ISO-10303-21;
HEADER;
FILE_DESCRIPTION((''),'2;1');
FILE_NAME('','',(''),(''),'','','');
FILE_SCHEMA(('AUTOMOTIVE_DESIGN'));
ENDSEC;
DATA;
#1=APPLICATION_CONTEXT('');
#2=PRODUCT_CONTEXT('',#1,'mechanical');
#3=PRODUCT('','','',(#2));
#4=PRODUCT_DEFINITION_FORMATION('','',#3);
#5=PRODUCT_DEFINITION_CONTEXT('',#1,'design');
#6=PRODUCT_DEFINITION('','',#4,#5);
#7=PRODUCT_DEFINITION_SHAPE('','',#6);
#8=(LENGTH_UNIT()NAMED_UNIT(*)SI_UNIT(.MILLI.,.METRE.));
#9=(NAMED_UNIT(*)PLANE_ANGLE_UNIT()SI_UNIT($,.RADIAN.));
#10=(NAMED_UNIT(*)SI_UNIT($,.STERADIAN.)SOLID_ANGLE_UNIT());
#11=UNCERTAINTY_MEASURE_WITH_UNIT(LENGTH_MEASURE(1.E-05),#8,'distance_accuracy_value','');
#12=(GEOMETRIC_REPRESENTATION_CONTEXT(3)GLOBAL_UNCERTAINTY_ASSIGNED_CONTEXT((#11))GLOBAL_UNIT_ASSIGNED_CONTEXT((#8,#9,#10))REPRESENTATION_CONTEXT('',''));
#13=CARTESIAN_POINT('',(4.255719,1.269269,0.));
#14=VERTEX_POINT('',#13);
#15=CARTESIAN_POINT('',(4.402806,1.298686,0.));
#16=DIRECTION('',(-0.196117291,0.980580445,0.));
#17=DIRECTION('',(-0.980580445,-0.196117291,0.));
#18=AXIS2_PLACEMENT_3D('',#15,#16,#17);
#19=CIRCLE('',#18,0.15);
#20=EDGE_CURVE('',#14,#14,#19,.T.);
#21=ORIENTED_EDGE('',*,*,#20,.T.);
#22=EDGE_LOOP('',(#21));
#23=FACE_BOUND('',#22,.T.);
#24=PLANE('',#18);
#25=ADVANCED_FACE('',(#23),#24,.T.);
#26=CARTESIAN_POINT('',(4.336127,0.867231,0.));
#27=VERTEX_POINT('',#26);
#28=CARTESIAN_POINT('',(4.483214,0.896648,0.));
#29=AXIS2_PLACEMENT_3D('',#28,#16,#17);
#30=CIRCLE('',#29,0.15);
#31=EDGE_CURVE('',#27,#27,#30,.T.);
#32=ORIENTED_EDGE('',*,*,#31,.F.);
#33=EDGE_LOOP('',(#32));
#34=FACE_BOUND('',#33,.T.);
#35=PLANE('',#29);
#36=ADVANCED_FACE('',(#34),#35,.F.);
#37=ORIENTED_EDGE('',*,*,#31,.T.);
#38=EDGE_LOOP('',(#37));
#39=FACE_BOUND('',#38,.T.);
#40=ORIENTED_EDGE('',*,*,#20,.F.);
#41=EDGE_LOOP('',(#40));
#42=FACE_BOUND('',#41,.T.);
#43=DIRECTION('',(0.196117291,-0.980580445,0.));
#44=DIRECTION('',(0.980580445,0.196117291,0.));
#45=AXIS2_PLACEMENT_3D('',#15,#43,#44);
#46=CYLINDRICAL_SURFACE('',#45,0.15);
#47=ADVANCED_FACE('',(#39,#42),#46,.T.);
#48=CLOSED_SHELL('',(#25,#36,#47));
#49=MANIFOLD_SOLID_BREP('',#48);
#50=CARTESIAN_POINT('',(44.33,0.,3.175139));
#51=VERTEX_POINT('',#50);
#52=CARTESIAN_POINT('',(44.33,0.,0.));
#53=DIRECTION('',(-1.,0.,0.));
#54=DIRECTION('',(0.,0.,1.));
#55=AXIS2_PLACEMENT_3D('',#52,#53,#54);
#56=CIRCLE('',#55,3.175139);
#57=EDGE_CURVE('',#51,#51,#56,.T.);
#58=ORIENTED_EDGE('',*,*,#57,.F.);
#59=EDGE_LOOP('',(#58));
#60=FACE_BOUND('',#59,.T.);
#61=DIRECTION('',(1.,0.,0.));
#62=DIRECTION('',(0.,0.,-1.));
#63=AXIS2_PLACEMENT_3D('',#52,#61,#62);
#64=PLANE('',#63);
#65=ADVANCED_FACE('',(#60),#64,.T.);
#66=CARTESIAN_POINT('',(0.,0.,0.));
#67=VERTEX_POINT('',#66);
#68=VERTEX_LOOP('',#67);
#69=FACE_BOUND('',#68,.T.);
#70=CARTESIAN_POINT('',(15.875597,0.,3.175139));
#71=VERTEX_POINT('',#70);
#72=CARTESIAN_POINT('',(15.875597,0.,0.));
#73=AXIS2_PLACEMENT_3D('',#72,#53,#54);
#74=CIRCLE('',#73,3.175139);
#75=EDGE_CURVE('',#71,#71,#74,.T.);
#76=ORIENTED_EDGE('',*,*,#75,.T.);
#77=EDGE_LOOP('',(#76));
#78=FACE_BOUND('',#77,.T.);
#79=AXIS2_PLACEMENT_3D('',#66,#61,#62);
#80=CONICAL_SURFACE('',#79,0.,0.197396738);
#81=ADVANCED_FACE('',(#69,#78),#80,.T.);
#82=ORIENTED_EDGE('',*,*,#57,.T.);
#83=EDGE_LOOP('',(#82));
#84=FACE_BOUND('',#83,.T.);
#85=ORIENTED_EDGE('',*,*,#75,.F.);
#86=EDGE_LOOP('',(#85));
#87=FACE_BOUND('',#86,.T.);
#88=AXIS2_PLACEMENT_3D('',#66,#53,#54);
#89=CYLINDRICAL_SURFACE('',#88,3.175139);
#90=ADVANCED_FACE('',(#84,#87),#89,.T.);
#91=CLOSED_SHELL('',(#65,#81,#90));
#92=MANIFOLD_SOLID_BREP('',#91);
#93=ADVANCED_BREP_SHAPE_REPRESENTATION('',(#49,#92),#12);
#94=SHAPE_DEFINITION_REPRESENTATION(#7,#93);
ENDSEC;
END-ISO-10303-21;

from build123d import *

# Parameters (mm, degrees)
SKETCH_2_R      = 0.15
EXTRUDE_1_DEPTH = 0.41
SKETCH_1_W      = 28.454402603
SKETCH_1_H      = 3.175138938


with BuildPart() as part:
    # 草圖2 → 填料-伸長1 (new body)
    with BuildSketch(Plane(origin=(0, 0, 0), x_dir=(0.9805804445574351, 0.19611729080206836, 0), z_dir=(-0.19611729080206836, 0.9805804445574351, 0))):
        with Locations(Location((4.572, 0, 0), (0, 0, 180))):
            Circle(SKETCH_2_R)
    extrude(amount=EXTRUDE_1_DEPTH)


with BuildPart() as body_2:
    # 草圖1 → 旋轉1 (revolve)
    with BuildSketch(Plane.XY, mode=Mode.PRIVATE) as revolve_1_sk:
        with Locations((30.102798699, 1.587569469)):
            Rectangle(SKETCH_1_W, SKETCH_1_H)
        Polygon((15.875597397, 3.175138938), (0, 0), (15.875597397, 0), align=None)
    revolve(revolve_1_sk.sketch.rotate(Axis((0, 0, 0), (1, 0, 0)), 90), axis=Axis((0, 0, 0), (1, 0, 0)))


solid = Compound([part.part, body_2.part])
